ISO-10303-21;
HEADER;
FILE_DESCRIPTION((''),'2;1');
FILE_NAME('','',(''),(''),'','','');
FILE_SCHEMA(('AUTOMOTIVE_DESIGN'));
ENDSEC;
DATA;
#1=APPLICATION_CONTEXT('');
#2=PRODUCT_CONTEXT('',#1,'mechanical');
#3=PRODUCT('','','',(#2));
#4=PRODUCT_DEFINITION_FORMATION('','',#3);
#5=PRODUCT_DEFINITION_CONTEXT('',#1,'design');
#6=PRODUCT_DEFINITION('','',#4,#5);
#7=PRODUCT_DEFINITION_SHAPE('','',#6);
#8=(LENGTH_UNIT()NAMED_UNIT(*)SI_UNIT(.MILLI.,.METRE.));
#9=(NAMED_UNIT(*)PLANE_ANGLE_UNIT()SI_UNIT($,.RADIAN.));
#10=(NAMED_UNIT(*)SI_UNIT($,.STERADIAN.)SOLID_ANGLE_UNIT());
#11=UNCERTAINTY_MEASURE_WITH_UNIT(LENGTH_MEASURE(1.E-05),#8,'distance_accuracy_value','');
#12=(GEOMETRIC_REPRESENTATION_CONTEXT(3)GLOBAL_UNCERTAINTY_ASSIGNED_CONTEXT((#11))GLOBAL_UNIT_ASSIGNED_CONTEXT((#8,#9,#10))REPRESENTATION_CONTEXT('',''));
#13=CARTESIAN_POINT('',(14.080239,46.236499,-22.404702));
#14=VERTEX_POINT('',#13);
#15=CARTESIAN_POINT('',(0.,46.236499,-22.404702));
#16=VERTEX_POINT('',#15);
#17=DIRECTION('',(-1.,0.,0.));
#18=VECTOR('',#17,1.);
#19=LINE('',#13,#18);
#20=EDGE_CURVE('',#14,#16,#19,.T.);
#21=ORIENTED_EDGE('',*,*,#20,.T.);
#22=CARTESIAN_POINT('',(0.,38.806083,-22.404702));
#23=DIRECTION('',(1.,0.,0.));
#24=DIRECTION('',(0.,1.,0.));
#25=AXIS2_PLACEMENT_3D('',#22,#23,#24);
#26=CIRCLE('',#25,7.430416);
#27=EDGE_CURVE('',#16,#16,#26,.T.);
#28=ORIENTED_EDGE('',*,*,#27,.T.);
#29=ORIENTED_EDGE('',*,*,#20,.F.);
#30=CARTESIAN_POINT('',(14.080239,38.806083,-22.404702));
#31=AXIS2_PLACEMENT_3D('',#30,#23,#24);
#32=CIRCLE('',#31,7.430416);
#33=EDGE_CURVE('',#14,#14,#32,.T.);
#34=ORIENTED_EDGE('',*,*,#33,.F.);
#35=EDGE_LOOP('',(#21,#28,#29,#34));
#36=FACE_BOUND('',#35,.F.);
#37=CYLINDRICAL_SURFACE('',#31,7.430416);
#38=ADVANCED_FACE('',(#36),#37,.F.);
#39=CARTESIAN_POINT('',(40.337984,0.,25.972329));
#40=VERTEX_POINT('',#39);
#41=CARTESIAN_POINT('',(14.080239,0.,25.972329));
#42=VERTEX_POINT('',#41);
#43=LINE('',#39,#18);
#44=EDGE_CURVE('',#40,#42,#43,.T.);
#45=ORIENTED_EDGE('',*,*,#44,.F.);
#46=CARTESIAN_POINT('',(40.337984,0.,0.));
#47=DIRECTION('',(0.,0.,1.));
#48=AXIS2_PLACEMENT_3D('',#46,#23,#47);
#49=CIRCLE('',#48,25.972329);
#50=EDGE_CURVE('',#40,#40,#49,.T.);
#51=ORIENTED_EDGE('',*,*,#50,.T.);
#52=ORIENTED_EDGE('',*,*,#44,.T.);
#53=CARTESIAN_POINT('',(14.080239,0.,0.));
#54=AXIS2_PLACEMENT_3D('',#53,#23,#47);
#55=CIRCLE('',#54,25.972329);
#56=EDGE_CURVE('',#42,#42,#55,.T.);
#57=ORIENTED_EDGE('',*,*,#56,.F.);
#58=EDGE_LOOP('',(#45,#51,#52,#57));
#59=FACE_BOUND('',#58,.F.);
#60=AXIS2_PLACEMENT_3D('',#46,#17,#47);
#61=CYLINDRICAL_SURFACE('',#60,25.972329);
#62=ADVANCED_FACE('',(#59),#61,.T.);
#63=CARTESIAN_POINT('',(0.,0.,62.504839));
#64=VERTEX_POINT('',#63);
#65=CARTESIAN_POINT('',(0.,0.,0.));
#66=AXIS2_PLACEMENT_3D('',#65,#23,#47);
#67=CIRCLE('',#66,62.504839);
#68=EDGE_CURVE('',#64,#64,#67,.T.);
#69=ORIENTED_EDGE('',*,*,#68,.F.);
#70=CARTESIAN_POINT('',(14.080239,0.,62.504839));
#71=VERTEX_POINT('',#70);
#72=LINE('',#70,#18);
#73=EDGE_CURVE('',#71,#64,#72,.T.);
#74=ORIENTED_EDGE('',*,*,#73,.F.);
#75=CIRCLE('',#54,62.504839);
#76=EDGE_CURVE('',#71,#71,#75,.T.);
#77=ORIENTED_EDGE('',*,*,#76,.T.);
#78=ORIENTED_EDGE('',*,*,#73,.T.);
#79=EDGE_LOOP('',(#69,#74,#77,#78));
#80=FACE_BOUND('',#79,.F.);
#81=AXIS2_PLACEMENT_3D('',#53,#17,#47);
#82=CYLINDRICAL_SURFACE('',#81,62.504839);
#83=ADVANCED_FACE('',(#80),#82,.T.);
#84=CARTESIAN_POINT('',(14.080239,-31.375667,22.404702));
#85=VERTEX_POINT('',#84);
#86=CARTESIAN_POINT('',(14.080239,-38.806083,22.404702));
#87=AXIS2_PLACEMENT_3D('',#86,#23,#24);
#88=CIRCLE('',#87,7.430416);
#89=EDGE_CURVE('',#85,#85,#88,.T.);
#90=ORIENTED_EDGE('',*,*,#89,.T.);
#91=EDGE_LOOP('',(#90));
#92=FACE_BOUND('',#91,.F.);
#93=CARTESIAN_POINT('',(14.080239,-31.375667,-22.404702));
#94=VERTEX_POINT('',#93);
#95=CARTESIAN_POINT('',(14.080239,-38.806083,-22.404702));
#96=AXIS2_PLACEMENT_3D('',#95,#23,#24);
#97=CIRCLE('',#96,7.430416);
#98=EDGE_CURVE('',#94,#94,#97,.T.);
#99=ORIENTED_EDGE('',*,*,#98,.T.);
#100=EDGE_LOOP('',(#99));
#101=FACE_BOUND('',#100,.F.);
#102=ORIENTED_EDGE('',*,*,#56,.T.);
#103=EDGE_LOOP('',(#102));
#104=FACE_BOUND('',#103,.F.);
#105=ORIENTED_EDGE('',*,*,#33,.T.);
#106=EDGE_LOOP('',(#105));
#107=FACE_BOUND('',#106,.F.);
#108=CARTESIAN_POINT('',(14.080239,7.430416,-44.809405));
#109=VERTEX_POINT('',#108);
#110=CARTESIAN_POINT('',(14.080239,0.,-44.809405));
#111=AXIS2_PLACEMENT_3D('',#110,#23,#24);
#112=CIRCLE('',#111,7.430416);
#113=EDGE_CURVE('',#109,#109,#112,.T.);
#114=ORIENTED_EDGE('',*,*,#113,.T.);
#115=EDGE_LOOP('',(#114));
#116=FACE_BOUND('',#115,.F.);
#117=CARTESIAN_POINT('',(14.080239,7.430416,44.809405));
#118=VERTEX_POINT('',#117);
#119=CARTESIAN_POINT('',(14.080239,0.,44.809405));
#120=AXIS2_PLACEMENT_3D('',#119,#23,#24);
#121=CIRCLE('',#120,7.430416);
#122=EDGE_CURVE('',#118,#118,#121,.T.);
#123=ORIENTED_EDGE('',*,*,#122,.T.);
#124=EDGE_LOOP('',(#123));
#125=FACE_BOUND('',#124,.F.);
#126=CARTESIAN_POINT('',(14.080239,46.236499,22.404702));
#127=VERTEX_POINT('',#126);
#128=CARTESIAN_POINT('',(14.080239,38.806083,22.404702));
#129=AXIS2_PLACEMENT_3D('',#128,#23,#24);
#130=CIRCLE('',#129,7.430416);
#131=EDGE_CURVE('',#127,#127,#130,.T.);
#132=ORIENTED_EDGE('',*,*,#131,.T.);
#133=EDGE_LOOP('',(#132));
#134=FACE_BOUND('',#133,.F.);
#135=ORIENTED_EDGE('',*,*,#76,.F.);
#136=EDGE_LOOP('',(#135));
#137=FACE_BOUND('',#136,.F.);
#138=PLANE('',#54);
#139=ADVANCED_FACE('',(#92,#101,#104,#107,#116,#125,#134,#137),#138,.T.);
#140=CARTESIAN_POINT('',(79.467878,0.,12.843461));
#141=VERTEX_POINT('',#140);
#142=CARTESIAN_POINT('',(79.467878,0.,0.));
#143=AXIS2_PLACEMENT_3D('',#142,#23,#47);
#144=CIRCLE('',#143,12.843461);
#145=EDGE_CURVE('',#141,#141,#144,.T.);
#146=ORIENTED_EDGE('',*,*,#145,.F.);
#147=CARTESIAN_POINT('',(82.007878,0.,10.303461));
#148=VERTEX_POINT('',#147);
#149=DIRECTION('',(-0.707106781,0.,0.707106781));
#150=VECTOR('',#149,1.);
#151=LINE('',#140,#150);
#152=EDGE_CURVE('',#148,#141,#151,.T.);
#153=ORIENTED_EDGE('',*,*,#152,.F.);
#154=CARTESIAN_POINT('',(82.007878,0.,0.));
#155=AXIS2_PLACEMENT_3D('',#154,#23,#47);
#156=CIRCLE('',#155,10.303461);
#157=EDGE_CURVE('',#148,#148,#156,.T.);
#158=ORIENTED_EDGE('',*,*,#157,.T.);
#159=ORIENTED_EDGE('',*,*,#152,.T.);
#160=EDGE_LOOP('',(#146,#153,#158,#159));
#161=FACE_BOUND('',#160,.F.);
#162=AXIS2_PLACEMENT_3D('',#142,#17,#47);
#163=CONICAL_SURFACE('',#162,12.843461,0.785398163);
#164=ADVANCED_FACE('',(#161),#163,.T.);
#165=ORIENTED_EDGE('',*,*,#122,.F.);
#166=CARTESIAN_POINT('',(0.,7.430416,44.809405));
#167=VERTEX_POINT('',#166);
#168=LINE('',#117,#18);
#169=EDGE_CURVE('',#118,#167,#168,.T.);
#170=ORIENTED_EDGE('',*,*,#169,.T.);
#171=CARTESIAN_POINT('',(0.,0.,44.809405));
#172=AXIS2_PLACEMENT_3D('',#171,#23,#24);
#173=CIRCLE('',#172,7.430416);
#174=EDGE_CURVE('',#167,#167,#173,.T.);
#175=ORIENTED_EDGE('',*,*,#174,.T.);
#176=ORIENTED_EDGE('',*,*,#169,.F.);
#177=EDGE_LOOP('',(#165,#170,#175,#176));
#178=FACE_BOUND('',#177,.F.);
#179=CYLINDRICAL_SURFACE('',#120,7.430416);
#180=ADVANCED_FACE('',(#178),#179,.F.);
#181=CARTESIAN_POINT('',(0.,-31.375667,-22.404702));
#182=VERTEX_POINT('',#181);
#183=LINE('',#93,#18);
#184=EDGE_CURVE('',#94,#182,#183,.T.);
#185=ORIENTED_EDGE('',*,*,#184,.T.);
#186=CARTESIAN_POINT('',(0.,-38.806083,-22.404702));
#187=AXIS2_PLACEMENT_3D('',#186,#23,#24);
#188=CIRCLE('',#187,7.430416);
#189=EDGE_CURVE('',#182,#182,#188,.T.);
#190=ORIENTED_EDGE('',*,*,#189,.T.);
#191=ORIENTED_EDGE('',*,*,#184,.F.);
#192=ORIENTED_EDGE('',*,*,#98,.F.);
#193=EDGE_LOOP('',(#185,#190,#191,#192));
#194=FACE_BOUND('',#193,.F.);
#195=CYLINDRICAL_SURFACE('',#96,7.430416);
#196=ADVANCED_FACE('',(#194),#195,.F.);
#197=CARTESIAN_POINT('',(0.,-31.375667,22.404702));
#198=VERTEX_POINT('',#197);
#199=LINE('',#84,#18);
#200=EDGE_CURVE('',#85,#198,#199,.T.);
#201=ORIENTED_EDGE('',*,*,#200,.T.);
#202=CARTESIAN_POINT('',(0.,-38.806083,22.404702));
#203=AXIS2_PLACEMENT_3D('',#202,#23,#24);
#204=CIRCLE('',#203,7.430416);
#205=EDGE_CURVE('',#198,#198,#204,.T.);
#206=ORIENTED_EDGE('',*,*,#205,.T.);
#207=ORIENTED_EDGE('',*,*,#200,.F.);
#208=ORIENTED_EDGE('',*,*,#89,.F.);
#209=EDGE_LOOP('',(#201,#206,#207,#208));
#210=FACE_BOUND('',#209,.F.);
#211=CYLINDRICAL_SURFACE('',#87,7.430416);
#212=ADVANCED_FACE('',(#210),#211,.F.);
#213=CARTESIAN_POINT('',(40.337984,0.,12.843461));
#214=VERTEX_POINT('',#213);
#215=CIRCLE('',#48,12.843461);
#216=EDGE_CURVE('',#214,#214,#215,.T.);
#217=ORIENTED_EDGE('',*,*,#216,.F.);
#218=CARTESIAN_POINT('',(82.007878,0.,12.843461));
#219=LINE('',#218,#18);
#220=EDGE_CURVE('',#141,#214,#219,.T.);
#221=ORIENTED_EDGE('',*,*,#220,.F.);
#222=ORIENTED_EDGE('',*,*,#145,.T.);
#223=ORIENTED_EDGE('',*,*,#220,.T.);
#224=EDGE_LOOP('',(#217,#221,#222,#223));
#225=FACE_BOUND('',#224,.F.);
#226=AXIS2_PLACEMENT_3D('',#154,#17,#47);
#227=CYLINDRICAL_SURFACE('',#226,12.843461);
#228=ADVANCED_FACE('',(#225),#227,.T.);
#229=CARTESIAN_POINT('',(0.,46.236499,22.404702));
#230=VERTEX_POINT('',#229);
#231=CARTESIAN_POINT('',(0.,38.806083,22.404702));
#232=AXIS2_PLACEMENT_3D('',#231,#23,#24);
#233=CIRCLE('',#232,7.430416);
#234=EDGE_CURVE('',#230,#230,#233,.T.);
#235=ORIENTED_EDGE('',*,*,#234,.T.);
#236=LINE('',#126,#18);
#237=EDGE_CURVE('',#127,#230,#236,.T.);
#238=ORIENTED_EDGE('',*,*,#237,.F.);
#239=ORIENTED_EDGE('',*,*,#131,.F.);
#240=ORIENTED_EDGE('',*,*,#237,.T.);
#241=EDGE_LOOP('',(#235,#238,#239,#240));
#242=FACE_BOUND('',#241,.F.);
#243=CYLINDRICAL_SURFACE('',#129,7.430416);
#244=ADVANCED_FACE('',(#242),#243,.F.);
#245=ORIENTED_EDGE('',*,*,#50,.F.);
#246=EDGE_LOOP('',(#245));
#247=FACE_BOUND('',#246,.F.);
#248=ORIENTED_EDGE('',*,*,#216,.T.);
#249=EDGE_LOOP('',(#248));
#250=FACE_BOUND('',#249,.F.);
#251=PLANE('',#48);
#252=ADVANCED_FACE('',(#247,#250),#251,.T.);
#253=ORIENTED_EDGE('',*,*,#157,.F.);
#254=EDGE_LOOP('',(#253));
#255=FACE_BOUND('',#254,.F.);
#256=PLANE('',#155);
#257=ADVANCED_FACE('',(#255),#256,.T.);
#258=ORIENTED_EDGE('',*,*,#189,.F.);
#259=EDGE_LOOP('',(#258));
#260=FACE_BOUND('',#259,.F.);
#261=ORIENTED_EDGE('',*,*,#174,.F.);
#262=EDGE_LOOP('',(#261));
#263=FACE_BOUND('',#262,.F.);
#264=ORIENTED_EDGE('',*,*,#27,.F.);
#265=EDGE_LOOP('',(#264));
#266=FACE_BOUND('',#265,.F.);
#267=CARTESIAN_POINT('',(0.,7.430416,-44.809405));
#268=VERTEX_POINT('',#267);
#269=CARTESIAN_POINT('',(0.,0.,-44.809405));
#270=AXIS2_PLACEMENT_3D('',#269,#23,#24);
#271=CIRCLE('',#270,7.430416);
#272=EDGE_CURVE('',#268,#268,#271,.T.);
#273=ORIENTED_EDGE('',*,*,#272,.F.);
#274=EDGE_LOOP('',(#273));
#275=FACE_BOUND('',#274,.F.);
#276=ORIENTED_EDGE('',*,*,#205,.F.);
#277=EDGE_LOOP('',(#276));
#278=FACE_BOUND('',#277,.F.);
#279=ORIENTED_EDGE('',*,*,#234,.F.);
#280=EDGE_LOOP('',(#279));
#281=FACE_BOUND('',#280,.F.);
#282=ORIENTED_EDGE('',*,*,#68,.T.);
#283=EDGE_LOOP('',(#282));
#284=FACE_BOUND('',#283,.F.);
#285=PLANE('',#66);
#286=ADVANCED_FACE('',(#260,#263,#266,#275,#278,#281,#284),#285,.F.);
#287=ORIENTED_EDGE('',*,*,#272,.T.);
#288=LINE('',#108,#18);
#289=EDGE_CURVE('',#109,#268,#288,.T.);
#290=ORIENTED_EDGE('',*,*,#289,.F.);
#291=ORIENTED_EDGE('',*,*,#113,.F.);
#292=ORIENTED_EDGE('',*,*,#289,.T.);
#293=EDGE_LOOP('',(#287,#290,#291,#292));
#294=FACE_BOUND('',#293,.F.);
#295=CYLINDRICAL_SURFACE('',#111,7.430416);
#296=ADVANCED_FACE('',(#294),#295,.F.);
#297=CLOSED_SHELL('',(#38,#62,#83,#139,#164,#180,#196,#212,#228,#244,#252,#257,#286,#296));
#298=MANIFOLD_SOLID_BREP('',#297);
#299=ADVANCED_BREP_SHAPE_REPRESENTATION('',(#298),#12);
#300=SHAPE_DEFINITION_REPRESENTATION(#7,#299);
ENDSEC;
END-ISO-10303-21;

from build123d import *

# Parameters (mm, degrees)
F2_SIZE  = 2.54
F3_R     = 7.430416
F4_DEPTH = 25.4


with BuildPart() as f1:
    # F0 (on Front) → F1 (revolve)
    with BuildSketch(Plane.XZ):
        Polygon((0, 62.504839), (0, 0), (82.007878, 0), (82.007878, 12.843461), (40.337984, 12.843461), (40.337984, 25.972329), (14.080239, 25.972329), (14.080239, 62.504839), align=None)
    revolve(axis=Axis((41.003939, 0, 0), (1, 0, 0)))

    # F2
    f2_edges = [f1.edges().sort_by_distance(p)[0] for p in [
        (82.007878, 0, -12.843461),
    ]]
    chamfer(f2_edges, length=F2_SIZE)

    # F3 (on face) → F4 (cut)
    with BuildSketch(Plane.YZ.offset(14.080239)):
        with Locations((0, 44.809405)):
            Circle(F3_R)
        with Locations((-38.806083, 22.404702)):
            Circle(F3_R)
        with Locations((-38.806083, -22.404702)):
            Circle(F3_R)
        with Locations((0, -44.809405)):
            Circle(F3_R)
        with Locations((38.806083, -22.404702)):
            Circle(F3_R)
        with Locations((38.806083, 22.404702)):
            Circle(F3_R)
    extrude(amount=-F4_DEPTH, mode=Mode.SUBTRACT)


solid = f1.part
